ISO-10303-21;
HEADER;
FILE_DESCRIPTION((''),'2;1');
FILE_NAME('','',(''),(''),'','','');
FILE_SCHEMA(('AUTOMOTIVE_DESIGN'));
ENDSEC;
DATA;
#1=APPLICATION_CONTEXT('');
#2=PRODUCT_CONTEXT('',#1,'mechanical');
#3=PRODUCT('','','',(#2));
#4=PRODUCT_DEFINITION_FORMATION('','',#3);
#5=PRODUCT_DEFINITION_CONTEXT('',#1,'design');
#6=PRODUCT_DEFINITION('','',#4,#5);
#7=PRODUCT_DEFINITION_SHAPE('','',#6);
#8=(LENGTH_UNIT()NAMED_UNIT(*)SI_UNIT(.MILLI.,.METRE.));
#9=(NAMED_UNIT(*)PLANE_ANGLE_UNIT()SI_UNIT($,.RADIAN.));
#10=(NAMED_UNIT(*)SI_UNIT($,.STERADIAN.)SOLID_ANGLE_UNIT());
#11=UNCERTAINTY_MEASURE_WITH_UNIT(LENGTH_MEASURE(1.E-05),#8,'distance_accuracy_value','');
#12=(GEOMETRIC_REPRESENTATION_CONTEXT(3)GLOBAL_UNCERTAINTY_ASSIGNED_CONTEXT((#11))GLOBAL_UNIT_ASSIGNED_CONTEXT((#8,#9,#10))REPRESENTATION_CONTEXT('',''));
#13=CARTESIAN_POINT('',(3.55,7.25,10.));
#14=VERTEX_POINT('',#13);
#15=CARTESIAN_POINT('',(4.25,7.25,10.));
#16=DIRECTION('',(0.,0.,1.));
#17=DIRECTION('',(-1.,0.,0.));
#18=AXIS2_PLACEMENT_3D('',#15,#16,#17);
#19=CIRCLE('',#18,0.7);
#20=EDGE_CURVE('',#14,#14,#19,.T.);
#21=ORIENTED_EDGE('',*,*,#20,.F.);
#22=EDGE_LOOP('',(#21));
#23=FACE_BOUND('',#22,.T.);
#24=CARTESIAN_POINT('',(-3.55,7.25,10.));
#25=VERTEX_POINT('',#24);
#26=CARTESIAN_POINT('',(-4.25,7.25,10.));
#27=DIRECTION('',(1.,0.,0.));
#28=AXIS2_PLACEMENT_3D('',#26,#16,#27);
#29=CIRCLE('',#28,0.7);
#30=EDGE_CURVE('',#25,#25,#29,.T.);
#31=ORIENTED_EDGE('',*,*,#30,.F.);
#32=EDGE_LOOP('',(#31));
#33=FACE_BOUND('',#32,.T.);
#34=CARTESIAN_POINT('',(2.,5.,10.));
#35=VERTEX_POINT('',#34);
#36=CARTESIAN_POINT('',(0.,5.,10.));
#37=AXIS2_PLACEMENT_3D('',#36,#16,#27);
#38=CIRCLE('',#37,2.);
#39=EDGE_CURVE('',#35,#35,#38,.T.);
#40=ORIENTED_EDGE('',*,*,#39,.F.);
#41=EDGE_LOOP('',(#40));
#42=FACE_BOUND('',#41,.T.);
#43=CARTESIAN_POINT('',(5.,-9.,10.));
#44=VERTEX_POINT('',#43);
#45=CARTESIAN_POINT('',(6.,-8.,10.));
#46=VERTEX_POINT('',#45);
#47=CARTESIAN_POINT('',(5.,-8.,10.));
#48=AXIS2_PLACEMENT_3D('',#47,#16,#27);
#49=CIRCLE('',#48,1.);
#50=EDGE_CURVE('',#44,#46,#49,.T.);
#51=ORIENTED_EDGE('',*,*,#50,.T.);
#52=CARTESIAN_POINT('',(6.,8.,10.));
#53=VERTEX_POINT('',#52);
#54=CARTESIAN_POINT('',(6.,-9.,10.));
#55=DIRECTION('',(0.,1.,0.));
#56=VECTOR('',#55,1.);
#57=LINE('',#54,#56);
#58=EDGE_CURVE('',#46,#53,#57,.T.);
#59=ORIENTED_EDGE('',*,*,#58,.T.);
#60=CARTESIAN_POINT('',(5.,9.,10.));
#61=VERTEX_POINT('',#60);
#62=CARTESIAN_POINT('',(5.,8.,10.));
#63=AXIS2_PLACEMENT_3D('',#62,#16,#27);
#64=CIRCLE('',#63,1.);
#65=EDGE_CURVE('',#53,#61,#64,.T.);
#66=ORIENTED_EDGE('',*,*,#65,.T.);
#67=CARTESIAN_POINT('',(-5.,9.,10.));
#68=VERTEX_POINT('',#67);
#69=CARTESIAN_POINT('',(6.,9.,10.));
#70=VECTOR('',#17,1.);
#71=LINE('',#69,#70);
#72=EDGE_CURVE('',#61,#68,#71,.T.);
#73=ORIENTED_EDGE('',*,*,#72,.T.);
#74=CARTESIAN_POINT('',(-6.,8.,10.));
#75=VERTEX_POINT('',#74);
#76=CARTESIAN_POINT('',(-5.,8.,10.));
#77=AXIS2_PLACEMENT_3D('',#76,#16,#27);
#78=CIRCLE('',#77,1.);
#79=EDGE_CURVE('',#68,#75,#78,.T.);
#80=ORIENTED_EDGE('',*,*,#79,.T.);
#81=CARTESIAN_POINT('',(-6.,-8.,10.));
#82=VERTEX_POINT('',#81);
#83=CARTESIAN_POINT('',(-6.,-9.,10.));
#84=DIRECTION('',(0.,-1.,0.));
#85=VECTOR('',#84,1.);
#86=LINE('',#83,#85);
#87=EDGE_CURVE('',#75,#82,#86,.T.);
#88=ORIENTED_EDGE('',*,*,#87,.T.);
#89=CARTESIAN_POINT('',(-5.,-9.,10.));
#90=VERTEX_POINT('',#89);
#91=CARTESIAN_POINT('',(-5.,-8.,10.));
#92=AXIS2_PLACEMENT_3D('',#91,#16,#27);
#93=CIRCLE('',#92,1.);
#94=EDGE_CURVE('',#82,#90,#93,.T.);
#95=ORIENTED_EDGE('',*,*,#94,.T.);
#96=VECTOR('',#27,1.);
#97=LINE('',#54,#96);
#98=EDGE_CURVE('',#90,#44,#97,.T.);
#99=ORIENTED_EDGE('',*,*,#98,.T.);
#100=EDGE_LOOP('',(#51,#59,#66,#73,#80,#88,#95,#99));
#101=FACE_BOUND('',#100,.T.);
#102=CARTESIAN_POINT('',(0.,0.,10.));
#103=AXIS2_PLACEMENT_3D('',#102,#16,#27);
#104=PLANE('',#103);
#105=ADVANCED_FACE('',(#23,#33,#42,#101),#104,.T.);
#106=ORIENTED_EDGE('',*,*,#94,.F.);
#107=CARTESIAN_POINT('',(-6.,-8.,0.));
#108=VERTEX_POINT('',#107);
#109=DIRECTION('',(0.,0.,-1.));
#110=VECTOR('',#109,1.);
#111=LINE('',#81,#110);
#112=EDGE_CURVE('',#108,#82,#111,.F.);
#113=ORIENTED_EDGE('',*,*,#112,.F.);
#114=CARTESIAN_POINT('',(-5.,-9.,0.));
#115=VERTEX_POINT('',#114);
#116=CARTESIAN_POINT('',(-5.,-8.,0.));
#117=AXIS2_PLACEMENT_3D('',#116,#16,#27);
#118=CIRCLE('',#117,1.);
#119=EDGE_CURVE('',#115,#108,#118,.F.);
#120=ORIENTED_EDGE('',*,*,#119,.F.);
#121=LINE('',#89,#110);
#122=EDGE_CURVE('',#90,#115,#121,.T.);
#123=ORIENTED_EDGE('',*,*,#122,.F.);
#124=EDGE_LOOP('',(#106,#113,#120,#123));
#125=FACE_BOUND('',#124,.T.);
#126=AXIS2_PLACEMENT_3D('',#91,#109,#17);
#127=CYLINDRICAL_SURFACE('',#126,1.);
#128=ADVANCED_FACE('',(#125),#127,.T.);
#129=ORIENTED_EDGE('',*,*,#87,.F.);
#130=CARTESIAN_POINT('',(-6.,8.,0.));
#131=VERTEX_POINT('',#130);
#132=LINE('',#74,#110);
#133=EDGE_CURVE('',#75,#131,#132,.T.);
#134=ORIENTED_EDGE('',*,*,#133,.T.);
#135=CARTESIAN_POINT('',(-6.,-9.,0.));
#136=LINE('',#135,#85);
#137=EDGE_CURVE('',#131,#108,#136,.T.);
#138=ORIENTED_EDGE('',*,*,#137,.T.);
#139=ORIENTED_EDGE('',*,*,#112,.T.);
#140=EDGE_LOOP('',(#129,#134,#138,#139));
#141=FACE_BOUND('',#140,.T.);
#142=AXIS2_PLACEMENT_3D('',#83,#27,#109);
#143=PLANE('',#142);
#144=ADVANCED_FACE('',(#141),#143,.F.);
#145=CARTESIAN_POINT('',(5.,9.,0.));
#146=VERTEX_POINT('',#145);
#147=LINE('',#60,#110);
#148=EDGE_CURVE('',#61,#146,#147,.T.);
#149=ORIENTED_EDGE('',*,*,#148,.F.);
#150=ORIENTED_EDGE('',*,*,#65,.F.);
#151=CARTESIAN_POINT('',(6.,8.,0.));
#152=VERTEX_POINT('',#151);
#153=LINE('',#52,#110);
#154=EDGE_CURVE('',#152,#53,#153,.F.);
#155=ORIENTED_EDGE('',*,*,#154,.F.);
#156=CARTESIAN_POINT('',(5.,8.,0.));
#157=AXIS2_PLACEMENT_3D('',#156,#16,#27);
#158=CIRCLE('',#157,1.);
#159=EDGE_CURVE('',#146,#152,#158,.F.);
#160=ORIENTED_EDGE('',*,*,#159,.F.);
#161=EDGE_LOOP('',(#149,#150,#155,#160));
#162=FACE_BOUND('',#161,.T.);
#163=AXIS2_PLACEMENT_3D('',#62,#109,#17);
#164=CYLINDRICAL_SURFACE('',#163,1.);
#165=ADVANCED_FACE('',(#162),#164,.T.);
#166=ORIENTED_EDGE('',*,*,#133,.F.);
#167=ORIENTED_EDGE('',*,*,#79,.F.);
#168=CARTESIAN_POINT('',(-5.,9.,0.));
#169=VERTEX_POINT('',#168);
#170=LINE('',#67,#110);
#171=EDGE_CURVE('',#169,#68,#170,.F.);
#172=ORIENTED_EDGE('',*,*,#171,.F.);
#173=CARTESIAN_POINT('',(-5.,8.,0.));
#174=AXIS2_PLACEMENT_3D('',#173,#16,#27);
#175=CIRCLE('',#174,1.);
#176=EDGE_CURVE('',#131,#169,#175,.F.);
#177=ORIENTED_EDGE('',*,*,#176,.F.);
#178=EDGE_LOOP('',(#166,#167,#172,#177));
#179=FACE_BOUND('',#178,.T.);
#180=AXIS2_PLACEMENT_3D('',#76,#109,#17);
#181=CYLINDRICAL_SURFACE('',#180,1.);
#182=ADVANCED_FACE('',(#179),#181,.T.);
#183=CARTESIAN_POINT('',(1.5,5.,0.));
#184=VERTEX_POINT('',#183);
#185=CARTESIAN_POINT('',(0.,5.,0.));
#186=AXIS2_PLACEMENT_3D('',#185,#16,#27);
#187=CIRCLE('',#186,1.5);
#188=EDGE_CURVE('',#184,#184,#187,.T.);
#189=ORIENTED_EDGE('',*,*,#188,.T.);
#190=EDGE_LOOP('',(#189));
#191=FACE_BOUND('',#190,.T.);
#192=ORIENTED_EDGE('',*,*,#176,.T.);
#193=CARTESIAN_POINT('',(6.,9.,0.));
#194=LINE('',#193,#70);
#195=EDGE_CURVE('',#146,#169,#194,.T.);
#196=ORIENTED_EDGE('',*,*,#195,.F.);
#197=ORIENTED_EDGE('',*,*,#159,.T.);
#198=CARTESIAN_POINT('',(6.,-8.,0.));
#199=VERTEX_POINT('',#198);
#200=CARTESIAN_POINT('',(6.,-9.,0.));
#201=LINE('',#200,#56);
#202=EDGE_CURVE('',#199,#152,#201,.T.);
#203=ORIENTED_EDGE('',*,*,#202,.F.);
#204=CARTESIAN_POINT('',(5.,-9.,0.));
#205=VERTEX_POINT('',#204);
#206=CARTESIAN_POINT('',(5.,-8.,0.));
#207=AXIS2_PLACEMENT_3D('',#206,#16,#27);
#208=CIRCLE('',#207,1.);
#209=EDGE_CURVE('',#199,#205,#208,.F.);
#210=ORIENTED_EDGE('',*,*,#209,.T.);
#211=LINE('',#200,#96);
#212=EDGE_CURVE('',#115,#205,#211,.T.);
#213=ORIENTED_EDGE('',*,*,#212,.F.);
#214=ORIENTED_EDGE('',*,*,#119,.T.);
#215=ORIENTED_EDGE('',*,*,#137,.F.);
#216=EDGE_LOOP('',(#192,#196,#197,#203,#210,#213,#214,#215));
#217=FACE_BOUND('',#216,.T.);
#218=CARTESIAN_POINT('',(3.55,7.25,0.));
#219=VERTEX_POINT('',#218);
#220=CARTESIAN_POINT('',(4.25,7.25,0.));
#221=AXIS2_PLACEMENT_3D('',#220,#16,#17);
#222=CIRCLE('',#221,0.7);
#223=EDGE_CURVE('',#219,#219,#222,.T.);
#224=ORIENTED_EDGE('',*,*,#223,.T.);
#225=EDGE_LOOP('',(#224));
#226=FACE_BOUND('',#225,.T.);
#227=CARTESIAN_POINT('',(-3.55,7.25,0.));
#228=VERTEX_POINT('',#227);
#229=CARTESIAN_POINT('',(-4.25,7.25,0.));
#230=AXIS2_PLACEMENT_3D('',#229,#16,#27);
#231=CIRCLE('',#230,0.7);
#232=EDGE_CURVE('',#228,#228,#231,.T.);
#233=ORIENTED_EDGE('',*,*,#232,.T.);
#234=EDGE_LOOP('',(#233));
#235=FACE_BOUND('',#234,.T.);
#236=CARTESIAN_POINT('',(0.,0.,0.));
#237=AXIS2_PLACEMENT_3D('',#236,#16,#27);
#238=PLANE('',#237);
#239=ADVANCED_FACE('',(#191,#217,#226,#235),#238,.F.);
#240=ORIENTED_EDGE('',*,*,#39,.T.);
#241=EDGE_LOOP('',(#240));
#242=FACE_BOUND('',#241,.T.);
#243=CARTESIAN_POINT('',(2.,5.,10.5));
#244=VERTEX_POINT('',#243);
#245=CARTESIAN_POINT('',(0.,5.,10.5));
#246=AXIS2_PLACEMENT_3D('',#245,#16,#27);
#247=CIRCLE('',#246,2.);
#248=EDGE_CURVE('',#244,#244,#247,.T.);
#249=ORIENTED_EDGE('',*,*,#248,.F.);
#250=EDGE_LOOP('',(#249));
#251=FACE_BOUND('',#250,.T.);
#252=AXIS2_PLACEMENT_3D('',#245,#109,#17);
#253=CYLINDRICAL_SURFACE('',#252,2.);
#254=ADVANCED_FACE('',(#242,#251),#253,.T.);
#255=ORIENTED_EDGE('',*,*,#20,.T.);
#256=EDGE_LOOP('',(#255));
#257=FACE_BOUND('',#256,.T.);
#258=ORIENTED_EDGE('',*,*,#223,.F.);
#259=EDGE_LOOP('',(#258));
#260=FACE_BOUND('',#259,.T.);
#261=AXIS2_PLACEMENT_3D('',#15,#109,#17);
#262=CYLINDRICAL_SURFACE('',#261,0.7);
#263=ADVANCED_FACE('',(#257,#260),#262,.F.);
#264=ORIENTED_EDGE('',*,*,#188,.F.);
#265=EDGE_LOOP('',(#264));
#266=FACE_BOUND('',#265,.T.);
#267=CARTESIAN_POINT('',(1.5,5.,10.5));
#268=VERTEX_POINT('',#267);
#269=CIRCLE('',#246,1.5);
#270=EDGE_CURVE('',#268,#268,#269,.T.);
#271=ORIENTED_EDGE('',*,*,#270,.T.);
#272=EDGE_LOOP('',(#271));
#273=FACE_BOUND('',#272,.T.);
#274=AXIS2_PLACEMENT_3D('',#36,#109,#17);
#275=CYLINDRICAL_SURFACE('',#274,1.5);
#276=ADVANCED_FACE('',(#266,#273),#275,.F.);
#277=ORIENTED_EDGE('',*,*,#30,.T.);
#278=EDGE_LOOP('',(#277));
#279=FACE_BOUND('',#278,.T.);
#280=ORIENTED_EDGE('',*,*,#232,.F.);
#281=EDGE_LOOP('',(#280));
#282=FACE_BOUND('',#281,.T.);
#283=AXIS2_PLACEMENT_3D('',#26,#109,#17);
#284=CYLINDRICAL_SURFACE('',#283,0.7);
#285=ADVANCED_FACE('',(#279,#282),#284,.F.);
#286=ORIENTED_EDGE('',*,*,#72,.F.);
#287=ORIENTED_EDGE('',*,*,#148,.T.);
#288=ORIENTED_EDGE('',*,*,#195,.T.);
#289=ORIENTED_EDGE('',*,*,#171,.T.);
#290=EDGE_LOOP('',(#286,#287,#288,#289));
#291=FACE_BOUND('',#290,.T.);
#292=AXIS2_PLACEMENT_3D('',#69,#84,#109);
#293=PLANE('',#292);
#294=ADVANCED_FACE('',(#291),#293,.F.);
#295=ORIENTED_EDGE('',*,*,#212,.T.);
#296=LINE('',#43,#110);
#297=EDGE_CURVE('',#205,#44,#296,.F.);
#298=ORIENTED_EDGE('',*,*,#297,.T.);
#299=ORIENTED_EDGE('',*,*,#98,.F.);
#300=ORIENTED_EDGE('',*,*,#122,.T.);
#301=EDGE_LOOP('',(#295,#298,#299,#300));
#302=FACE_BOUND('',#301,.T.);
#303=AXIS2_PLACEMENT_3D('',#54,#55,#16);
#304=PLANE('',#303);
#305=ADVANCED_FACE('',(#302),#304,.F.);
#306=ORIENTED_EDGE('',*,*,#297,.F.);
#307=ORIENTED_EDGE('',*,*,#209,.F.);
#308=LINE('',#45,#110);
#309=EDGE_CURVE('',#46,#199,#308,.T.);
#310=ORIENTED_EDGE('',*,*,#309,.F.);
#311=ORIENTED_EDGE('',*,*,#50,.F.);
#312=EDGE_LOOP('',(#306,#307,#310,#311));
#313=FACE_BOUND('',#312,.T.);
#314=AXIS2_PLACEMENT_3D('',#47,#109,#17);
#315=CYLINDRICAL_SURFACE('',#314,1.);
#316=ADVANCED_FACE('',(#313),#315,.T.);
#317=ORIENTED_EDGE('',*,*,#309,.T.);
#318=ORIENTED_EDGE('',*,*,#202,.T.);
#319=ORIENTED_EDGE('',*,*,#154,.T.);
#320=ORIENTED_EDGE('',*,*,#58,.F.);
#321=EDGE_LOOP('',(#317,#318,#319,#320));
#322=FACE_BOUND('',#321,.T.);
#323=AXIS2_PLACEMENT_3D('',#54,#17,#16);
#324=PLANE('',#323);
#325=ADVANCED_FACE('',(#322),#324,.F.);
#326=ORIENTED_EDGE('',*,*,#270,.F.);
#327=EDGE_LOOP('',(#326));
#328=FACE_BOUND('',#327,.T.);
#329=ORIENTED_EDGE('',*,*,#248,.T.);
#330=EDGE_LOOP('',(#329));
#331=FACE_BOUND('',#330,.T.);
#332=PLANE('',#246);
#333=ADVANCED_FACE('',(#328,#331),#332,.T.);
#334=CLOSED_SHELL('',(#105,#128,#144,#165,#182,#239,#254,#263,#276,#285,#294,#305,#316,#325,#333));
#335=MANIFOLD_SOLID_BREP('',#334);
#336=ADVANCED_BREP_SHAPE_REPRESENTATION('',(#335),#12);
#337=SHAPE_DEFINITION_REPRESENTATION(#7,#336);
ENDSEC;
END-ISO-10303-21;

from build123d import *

# Parameters (mm, degrees)
SKETCH_1_W      = 12
SKETCH_1_H      = 18
SKETCH_1_R      = 1.5
SKETCH_1_R_2    = 0.7
EXTRUDE_1_DEPTH = 10
SKETCH_2_R      = 2
SKETCH_2_R_2    = 1.5
EXTRUDE_2_DEPTH = 0.5
FILLET_1_R      = 1


with BuildPart() as part:
    # 草图1 → 凸台-拉伸1 (new body)
    with BuildSketch(Plane.XY):
        Rectangle(SKETCH_1_W, SKETCH_1_H)
        with Locations((0, 5)):
            Circle(SKETCH_1_R, mode=Mode.SUBTRACT)
        with Locations((-4.25, 7.25)):
            Circle(SKETCH_1_R_2, mode=Mode.SUBTRACT)
        with Locations(Location((4.25, 7.25, 0), (0, 0, 180))):
            Circle(SKETCH_1_R_2, mode=Mode.SUBTRACT)
    extrude(amount=EXTRUDE_1_DEPTH)

    # 草图2 → 凸台-拉伸2 (add)
    with BuildSketch(Plane.XY.offset(10)):
        with Locations((0, 5)):
            Circle(SKETCH_2_R)
        with Locations((0, 5)):
            Circle(SKETCH_2_R_2, mode=Mode.SUBTRACT)
    extrude(amount=EXTRUDE_2_DEPTH)

    # 圆角1
    fillet_1_edges = [part.edges().sort_by_distance(p)[0] for p in [
        (-6, 9, 5),
        (6, 9, 5),
        (6, -9, 5),
        (-6, -9, 5),
    ]]
    fillet(fillet_1_edges, radius=FILLET_1_R)


solid = part.part
